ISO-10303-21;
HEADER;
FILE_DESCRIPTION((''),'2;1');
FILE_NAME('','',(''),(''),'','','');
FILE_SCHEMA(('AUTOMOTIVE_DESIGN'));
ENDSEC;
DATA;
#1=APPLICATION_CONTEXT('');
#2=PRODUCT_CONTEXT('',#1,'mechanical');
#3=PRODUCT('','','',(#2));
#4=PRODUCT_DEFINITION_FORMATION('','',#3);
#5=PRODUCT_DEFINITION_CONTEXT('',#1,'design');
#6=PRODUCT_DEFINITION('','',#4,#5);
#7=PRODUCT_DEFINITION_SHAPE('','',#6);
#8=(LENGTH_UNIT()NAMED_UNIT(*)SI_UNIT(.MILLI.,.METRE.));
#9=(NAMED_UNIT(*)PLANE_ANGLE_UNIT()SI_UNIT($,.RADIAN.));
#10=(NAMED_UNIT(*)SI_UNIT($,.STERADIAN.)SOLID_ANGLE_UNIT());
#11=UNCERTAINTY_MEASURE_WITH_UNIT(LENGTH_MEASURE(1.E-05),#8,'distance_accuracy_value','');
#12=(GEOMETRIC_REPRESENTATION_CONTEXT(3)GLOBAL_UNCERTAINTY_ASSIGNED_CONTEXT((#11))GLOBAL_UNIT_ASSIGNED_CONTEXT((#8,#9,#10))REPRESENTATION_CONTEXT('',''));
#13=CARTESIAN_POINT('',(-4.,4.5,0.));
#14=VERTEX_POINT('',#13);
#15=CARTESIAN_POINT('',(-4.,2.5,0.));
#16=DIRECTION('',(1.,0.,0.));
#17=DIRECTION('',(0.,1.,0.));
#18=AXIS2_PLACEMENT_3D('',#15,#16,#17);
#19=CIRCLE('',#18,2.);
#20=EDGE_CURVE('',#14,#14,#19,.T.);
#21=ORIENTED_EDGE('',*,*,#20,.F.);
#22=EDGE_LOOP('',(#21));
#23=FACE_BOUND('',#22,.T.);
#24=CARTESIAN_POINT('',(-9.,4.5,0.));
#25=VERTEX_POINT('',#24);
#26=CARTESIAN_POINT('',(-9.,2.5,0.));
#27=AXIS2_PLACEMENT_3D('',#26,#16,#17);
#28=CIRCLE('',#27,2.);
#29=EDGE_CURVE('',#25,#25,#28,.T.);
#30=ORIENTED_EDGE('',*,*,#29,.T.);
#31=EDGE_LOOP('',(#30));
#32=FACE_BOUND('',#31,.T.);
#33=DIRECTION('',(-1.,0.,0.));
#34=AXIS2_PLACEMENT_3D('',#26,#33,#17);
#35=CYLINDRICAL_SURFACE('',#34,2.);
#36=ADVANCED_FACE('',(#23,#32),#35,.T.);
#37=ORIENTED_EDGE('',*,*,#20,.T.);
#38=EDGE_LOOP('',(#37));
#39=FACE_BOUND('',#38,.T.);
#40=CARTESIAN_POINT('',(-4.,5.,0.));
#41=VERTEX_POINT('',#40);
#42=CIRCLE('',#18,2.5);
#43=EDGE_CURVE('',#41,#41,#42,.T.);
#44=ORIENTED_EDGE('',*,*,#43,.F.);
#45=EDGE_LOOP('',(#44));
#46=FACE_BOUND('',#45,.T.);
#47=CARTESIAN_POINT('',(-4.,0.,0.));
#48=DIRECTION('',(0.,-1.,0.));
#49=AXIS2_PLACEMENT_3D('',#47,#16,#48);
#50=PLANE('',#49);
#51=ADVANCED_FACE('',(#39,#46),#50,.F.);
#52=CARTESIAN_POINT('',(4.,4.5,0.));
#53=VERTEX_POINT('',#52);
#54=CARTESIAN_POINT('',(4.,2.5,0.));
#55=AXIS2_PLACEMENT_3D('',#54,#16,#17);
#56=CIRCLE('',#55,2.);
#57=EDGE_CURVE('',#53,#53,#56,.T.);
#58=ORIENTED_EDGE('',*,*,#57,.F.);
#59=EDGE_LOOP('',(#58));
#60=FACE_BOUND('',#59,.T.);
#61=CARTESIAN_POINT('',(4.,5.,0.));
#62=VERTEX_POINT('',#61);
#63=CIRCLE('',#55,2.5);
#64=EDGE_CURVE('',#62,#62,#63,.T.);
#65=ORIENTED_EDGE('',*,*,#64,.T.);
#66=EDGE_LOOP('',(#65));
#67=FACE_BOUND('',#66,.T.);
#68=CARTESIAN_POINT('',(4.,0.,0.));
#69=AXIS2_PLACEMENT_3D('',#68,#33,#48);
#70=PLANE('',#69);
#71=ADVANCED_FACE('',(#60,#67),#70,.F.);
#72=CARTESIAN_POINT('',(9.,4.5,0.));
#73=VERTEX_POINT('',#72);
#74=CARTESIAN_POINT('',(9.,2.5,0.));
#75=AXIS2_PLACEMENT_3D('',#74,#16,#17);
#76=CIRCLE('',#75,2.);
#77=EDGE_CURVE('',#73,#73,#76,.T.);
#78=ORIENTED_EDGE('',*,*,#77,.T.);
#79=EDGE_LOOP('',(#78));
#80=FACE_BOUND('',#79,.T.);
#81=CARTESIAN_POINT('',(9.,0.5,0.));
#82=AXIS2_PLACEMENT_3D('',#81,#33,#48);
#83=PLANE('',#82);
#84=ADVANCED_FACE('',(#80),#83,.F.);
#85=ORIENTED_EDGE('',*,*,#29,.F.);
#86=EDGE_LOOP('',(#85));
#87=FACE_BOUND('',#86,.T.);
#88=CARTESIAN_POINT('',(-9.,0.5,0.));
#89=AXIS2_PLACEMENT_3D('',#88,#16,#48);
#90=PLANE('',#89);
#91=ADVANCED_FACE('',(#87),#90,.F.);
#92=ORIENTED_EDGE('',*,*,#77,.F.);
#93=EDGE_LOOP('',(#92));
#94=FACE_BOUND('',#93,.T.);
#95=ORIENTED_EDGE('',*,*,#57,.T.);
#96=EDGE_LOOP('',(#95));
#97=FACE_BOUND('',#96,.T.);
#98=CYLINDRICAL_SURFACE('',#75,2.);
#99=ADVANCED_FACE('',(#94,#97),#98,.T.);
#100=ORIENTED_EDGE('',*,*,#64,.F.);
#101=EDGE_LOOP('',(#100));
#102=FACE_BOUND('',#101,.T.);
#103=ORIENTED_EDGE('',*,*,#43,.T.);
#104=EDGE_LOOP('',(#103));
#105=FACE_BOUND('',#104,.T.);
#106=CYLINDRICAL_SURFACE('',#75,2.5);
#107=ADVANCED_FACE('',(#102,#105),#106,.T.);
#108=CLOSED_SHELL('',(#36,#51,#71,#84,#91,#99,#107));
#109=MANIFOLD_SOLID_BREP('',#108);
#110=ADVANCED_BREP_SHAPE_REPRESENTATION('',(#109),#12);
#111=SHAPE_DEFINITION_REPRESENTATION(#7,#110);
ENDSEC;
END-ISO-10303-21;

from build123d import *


with BuildPart() as part:
    # Sketch2 → Revolve1 (revolve)
    with BuildSketch(Plane.XY, mode=Mode.PRIVATE) as revolve1_sk:
        Polygon((0, 0), (4, 0), (4, 0.5), (9, 0.5), (9, 2.5), (0, 2.5), align=None)
    revolve1 = revolve(revolve1_sk.sketch.rotate(Axis((9, 2.5, 0), (-1, 0, 0)), 180), axis=Axis((9, 2.5, 0), (-1, 0, 0)))

    # Mirror1: Revolve1 across plane
    add(revolve1.mirror(Plane(origin=(0, 2.5, 0), x_dir=(0, 0, 1), z_dir=(1, 0, 0))))


solid = part.part
